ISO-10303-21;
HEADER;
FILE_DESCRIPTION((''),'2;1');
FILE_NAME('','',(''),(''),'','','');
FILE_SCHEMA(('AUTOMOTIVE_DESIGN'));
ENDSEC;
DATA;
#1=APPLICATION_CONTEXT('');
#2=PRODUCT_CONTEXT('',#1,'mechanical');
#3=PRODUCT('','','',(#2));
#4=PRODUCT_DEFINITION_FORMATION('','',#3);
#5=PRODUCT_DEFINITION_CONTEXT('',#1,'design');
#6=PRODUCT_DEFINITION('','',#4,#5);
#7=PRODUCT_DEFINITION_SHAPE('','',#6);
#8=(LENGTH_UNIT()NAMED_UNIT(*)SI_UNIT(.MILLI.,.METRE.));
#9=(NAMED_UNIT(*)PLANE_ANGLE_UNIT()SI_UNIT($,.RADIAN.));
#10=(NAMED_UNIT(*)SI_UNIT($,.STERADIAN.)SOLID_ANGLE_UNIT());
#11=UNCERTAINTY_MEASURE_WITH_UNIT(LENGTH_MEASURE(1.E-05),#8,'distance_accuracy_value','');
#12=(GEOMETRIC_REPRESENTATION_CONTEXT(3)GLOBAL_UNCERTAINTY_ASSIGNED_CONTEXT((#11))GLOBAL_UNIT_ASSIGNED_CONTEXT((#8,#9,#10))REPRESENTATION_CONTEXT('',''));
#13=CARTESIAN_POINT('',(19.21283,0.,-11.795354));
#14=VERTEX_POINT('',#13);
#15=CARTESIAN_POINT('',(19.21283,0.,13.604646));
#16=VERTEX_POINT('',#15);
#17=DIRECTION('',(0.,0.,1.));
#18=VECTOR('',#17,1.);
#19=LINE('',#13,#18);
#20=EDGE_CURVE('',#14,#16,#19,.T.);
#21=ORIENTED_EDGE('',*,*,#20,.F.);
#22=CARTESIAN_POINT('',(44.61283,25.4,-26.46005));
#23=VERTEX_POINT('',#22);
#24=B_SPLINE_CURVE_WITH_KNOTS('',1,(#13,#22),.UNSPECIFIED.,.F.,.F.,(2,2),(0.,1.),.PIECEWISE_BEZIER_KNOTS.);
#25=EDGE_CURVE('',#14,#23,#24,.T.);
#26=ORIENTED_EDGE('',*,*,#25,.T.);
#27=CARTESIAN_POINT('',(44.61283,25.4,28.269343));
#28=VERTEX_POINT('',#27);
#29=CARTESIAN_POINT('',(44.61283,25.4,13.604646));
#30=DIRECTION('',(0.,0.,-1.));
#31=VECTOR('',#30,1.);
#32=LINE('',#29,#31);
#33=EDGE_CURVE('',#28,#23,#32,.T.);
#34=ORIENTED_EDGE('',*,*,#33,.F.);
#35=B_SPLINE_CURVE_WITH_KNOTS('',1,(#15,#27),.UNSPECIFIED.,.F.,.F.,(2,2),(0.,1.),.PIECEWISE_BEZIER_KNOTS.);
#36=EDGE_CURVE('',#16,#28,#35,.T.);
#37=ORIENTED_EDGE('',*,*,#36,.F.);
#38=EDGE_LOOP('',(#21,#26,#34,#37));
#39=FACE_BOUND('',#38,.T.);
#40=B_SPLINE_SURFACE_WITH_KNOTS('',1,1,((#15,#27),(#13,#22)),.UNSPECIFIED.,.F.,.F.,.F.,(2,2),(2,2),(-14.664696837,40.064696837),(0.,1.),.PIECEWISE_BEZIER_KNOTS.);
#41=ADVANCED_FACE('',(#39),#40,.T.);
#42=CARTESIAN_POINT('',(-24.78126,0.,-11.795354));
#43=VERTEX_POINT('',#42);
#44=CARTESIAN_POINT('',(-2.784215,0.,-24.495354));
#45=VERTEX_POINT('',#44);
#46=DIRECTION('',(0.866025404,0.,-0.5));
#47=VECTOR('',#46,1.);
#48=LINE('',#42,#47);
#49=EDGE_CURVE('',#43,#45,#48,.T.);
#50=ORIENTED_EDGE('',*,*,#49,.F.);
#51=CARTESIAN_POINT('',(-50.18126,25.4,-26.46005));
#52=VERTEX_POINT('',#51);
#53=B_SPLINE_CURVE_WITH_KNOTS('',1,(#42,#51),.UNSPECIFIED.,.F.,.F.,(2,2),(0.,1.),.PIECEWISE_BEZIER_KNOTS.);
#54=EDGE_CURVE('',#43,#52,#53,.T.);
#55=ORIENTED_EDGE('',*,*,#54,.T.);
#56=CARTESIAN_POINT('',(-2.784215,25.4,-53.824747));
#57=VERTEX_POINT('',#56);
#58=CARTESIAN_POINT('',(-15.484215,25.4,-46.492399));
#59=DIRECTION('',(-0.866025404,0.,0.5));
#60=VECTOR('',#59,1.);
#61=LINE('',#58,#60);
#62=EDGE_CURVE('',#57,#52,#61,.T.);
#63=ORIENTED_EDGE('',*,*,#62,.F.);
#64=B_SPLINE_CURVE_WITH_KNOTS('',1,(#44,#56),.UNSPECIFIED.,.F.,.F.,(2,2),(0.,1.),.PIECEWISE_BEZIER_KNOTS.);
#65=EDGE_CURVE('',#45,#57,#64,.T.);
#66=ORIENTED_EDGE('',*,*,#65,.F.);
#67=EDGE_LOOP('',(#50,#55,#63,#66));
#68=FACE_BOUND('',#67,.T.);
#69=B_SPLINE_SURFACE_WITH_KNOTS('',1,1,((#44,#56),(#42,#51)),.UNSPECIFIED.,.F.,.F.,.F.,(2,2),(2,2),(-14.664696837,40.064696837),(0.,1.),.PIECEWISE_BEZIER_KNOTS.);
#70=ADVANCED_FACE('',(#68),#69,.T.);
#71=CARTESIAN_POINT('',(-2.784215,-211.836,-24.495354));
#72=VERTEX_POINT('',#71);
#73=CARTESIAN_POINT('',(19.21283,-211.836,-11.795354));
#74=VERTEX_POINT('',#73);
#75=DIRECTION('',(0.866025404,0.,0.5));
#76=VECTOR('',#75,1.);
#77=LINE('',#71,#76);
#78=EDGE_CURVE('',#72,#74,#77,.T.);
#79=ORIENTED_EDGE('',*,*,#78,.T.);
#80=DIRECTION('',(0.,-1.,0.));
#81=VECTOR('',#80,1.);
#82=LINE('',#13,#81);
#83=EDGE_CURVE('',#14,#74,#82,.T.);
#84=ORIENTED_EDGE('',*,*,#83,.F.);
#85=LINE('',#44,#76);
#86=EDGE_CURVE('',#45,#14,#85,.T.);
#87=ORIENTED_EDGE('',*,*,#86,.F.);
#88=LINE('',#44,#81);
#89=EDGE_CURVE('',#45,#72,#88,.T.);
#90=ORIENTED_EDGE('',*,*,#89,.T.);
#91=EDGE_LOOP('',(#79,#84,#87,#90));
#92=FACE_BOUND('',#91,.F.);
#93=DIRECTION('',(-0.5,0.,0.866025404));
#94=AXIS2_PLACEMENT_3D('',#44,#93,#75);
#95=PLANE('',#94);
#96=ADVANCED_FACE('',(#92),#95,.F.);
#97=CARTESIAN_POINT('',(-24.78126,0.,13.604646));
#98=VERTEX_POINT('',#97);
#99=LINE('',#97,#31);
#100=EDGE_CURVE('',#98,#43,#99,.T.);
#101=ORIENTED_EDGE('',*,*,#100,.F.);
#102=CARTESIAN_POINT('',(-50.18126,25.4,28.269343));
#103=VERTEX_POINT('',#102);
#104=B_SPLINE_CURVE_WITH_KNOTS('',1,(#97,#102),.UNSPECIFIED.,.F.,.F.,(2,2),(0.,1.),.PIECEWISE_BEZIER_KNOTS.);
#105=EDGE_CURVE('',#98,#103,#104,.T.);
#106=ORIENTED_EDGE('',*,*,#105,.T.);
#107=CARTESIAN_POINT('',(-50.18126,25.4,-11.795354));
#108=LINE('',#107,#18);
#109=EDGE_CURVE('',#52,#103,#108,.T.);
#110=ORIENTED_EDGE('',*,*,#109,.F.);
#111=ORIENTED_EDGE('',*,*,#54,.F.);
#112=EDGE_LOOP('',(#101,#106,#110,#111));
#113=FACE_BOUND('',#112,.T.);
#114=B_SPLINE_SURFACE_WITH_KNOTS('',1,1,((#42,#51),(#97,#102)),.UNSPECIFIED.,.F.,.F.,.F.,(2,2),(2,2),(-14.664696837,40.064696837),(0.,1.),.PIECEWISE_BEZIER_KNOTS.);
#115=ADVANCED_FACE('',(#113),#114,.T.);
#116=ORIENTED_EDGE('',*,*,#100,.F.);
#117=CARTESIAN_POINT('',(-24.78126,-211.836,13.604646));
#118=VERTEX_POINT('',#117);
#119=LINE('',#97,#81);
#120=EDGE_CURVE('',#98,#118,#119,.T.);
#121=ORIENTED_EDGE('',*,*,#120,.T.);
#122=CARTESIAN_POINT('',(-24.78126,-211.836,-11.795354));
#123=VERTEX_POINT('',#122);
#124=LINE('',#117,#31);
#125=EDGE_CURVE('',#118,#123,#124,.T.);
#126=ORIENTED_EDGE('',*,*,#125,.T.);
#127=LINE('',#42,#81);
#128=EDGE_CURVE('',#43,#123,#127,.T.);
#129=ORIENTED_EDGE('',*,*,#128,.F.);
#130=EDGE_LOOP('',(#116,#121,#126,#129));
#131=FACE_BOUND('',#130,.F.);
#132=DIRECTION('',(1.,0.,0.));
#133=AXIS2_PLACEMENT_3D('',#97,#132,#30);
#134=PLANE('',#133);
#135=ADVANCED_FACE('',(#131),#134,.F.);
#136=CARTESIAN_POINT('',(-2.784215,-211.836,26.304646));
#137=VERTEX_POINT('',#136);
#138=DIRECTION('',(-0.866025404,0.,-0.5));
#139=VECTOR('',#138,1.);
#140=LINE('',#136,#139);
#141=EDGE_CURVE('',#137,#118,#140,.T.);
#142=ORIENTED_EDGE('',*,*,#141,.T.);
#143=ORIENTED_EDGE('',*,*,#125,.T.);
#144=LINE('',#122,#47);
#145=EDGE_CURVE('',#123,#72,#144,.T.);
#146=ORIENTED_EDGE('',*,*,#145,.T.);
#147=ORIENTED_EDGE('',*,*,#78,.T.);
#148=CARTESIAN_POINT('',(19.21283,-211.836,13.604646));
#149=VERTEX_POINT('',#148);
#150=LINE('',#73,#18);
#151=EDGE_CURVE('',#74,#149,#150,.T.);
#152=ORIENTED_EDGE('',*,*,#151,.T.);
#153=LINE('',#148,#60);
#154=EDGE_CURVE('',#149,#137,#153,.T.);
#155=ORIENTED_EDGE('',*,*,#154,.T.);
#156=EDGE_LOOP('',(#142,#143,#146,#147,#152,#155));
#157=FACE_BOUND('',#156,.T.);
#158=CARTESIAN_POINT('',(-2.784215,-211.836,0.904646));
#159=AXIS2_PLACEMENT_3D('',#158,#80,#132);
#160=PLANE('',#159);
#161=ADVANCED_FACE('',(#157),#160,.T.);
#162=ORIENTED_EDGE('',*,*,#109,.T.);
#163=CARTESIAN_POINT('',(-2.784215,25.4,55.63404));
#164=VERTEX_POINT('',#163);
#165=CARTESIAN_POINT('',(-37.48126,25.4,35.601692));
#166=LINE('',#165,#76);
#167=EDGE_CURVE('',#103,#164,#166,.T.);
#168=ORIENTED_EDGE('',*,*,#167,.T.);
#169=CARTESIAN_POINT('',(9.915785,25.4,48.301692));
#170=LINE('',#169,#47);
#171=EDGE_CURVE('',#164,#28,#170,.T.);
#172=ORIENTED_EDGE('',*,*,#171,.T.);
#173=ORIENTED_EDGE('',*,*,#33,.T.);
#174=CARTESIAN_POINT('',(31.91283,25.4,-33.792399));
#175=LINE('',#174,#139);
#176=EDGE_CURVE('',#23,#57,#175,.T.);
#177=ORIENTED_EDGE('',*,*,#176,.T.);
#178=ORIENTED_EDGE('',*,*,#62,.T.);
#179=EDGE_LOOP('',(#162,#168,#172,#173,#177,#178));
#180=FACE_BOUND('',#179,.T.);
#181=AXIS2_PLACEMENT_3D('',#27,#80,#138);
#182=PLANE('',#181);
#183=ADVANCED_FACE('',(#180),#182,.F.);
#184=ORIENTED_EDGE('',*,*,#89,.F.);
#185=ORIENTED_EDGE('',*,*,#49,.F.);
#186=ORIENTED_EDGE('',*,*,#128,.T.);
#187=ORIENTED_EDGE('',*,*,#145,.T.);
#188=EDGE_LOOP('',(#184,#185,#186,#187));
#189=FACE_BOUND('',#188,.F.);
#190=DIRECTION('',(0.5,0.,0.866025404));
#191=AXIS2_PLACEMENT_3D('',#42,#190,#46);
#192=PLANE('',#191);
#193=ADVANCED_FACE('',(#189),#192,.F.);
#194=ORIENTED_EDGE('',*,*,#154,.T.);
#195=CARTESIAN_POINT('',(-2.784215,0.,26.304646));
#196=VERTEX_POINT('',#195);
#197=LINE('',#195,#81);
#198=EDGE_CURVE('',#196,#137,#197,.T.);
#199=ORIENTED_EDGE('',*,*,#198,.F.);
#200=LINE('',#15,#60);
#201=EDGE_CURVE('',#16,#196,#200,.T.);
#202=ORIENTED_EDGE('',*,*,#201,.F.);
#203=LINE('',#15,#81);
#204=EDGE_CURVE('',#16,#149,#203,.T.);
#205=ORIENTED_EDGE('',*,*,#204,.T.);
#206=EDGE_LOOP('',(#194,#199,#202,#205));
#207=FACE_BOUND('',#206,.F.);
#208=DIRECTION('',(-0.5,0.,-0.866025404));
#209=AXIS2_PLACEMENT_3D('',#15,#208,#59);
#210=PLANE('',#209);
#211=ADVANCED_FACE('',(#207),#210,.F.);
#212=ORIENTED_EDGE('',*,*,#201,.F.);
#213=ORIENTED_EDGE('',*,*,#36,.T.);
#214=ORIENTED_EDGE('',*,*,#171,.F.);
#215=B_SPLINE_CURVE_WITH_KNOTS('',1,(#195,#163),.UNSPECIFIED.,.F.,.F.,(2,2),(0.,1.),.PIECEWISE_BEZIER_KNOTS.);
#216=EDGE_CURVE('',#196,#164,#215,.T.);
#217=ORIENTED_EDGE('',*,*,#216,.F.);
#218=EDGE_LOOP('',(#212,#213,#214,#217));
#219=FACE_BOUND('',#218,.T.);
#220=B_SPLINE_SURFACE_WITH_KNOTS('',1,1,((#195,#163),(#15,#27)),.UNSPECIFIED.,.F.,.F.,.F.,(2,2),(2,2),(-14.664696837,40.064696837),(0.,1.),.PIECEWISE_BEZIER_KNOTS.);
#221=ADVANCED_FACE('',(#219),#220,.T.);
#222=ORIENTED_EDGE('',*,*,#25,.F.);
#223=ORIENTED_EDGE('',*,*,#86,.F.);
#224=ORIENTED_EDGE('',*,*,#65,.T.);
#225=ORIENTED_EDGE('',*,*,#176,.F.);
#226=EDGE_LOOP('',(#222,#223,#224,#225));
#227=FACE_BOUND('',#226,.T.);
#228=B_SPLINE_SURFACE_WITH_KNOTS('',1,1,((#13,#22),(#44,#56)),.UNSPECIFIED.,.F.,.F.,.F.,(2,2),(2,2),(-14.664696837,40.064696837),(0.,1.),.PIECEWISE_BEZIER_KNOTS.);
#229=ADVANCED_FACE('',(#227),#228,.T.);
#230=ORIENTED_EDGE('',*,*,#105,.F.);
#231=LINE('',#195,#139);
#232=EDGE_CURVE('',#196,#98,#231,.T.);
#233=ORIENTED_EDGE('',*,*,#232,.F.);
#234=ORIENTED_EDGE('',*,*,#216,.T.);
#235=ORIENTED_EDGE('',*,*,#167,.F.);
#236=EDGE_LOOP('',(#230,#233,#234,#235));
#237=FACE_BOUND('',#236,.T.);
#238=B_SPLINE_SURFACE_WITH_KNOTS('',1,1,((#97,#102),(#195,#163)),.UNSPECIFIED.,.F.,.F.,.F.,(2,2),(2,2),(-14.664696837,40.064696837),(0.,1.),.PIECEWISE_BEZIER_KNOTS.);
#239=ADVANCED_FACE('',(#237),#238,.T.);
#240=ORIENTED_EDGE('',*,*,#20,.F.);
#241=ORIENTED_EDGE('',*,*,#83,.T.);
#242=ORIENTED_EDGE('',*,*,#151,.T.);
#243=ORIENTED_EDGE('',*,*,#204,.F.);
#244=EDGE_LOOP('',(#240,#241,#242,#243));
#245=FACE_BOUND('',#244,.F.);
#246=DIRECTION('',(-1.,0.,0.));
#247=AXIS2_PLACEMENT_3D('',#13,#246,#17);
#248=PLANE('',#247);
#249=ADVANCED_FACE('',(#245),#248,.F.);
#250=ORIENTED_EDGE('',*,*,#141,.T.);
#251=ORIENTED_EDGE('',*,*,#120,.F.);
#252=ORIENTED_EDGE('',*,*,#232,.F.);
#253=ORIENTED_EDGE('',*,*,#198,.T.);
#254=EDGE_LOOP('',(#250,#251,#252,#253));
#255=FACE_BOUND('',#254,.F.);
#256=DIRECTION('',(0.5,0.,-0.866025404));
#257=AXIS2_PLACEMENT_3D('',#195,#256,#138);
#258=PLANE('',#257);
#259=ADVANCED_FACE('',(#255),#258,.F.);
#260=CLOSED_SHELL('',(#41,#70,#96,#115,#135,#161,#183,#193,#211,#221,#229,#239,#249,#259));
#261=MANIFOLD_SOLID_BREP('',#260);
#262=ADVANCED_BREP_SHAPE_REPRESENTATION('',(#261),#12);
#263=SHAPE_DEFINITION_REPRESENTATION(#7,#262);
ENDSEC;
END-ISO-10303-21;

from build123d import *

# Parameters (mm, degrees)
F1_DEPTH = 211.836
F2_DEPTH = 25.4
F2_TAPER = -45


with BuildPart() as f1:
    # F0 (on Front) → F1 (new body)
    with BuildSketch(Plane.XZ):
        Polygon((19.2128300178, -11.7953536305), (19.2128300178, 13.6046463695), (-2.7842152384, 26.3046463695), (-24.7812604945, 13.6046463695), (-24.7812604945, -11.7953536305), (-2.7842152384, -24.4953536305), align=None)
    extrude(amount=F1_DEPTH)

    # F1_face (on face) → F2 (join)
    with BuildSketch(Plane(origin=(-2.7842152384, 0, 0.9046463695), x_dir=(1, 0, 0), z_dir=(0, 1, 0))):
        Polygon((21.9970452561, -12.7), (21.9970452561, 12.7), (0, 25.4), (-21.9970452561, 12.7), (-21.9970452561, -12.7), (0, -25.4), align=None)
    extrude(amount=F2_DEPTH, taper=F2_TAPER)


solid = f1.part
